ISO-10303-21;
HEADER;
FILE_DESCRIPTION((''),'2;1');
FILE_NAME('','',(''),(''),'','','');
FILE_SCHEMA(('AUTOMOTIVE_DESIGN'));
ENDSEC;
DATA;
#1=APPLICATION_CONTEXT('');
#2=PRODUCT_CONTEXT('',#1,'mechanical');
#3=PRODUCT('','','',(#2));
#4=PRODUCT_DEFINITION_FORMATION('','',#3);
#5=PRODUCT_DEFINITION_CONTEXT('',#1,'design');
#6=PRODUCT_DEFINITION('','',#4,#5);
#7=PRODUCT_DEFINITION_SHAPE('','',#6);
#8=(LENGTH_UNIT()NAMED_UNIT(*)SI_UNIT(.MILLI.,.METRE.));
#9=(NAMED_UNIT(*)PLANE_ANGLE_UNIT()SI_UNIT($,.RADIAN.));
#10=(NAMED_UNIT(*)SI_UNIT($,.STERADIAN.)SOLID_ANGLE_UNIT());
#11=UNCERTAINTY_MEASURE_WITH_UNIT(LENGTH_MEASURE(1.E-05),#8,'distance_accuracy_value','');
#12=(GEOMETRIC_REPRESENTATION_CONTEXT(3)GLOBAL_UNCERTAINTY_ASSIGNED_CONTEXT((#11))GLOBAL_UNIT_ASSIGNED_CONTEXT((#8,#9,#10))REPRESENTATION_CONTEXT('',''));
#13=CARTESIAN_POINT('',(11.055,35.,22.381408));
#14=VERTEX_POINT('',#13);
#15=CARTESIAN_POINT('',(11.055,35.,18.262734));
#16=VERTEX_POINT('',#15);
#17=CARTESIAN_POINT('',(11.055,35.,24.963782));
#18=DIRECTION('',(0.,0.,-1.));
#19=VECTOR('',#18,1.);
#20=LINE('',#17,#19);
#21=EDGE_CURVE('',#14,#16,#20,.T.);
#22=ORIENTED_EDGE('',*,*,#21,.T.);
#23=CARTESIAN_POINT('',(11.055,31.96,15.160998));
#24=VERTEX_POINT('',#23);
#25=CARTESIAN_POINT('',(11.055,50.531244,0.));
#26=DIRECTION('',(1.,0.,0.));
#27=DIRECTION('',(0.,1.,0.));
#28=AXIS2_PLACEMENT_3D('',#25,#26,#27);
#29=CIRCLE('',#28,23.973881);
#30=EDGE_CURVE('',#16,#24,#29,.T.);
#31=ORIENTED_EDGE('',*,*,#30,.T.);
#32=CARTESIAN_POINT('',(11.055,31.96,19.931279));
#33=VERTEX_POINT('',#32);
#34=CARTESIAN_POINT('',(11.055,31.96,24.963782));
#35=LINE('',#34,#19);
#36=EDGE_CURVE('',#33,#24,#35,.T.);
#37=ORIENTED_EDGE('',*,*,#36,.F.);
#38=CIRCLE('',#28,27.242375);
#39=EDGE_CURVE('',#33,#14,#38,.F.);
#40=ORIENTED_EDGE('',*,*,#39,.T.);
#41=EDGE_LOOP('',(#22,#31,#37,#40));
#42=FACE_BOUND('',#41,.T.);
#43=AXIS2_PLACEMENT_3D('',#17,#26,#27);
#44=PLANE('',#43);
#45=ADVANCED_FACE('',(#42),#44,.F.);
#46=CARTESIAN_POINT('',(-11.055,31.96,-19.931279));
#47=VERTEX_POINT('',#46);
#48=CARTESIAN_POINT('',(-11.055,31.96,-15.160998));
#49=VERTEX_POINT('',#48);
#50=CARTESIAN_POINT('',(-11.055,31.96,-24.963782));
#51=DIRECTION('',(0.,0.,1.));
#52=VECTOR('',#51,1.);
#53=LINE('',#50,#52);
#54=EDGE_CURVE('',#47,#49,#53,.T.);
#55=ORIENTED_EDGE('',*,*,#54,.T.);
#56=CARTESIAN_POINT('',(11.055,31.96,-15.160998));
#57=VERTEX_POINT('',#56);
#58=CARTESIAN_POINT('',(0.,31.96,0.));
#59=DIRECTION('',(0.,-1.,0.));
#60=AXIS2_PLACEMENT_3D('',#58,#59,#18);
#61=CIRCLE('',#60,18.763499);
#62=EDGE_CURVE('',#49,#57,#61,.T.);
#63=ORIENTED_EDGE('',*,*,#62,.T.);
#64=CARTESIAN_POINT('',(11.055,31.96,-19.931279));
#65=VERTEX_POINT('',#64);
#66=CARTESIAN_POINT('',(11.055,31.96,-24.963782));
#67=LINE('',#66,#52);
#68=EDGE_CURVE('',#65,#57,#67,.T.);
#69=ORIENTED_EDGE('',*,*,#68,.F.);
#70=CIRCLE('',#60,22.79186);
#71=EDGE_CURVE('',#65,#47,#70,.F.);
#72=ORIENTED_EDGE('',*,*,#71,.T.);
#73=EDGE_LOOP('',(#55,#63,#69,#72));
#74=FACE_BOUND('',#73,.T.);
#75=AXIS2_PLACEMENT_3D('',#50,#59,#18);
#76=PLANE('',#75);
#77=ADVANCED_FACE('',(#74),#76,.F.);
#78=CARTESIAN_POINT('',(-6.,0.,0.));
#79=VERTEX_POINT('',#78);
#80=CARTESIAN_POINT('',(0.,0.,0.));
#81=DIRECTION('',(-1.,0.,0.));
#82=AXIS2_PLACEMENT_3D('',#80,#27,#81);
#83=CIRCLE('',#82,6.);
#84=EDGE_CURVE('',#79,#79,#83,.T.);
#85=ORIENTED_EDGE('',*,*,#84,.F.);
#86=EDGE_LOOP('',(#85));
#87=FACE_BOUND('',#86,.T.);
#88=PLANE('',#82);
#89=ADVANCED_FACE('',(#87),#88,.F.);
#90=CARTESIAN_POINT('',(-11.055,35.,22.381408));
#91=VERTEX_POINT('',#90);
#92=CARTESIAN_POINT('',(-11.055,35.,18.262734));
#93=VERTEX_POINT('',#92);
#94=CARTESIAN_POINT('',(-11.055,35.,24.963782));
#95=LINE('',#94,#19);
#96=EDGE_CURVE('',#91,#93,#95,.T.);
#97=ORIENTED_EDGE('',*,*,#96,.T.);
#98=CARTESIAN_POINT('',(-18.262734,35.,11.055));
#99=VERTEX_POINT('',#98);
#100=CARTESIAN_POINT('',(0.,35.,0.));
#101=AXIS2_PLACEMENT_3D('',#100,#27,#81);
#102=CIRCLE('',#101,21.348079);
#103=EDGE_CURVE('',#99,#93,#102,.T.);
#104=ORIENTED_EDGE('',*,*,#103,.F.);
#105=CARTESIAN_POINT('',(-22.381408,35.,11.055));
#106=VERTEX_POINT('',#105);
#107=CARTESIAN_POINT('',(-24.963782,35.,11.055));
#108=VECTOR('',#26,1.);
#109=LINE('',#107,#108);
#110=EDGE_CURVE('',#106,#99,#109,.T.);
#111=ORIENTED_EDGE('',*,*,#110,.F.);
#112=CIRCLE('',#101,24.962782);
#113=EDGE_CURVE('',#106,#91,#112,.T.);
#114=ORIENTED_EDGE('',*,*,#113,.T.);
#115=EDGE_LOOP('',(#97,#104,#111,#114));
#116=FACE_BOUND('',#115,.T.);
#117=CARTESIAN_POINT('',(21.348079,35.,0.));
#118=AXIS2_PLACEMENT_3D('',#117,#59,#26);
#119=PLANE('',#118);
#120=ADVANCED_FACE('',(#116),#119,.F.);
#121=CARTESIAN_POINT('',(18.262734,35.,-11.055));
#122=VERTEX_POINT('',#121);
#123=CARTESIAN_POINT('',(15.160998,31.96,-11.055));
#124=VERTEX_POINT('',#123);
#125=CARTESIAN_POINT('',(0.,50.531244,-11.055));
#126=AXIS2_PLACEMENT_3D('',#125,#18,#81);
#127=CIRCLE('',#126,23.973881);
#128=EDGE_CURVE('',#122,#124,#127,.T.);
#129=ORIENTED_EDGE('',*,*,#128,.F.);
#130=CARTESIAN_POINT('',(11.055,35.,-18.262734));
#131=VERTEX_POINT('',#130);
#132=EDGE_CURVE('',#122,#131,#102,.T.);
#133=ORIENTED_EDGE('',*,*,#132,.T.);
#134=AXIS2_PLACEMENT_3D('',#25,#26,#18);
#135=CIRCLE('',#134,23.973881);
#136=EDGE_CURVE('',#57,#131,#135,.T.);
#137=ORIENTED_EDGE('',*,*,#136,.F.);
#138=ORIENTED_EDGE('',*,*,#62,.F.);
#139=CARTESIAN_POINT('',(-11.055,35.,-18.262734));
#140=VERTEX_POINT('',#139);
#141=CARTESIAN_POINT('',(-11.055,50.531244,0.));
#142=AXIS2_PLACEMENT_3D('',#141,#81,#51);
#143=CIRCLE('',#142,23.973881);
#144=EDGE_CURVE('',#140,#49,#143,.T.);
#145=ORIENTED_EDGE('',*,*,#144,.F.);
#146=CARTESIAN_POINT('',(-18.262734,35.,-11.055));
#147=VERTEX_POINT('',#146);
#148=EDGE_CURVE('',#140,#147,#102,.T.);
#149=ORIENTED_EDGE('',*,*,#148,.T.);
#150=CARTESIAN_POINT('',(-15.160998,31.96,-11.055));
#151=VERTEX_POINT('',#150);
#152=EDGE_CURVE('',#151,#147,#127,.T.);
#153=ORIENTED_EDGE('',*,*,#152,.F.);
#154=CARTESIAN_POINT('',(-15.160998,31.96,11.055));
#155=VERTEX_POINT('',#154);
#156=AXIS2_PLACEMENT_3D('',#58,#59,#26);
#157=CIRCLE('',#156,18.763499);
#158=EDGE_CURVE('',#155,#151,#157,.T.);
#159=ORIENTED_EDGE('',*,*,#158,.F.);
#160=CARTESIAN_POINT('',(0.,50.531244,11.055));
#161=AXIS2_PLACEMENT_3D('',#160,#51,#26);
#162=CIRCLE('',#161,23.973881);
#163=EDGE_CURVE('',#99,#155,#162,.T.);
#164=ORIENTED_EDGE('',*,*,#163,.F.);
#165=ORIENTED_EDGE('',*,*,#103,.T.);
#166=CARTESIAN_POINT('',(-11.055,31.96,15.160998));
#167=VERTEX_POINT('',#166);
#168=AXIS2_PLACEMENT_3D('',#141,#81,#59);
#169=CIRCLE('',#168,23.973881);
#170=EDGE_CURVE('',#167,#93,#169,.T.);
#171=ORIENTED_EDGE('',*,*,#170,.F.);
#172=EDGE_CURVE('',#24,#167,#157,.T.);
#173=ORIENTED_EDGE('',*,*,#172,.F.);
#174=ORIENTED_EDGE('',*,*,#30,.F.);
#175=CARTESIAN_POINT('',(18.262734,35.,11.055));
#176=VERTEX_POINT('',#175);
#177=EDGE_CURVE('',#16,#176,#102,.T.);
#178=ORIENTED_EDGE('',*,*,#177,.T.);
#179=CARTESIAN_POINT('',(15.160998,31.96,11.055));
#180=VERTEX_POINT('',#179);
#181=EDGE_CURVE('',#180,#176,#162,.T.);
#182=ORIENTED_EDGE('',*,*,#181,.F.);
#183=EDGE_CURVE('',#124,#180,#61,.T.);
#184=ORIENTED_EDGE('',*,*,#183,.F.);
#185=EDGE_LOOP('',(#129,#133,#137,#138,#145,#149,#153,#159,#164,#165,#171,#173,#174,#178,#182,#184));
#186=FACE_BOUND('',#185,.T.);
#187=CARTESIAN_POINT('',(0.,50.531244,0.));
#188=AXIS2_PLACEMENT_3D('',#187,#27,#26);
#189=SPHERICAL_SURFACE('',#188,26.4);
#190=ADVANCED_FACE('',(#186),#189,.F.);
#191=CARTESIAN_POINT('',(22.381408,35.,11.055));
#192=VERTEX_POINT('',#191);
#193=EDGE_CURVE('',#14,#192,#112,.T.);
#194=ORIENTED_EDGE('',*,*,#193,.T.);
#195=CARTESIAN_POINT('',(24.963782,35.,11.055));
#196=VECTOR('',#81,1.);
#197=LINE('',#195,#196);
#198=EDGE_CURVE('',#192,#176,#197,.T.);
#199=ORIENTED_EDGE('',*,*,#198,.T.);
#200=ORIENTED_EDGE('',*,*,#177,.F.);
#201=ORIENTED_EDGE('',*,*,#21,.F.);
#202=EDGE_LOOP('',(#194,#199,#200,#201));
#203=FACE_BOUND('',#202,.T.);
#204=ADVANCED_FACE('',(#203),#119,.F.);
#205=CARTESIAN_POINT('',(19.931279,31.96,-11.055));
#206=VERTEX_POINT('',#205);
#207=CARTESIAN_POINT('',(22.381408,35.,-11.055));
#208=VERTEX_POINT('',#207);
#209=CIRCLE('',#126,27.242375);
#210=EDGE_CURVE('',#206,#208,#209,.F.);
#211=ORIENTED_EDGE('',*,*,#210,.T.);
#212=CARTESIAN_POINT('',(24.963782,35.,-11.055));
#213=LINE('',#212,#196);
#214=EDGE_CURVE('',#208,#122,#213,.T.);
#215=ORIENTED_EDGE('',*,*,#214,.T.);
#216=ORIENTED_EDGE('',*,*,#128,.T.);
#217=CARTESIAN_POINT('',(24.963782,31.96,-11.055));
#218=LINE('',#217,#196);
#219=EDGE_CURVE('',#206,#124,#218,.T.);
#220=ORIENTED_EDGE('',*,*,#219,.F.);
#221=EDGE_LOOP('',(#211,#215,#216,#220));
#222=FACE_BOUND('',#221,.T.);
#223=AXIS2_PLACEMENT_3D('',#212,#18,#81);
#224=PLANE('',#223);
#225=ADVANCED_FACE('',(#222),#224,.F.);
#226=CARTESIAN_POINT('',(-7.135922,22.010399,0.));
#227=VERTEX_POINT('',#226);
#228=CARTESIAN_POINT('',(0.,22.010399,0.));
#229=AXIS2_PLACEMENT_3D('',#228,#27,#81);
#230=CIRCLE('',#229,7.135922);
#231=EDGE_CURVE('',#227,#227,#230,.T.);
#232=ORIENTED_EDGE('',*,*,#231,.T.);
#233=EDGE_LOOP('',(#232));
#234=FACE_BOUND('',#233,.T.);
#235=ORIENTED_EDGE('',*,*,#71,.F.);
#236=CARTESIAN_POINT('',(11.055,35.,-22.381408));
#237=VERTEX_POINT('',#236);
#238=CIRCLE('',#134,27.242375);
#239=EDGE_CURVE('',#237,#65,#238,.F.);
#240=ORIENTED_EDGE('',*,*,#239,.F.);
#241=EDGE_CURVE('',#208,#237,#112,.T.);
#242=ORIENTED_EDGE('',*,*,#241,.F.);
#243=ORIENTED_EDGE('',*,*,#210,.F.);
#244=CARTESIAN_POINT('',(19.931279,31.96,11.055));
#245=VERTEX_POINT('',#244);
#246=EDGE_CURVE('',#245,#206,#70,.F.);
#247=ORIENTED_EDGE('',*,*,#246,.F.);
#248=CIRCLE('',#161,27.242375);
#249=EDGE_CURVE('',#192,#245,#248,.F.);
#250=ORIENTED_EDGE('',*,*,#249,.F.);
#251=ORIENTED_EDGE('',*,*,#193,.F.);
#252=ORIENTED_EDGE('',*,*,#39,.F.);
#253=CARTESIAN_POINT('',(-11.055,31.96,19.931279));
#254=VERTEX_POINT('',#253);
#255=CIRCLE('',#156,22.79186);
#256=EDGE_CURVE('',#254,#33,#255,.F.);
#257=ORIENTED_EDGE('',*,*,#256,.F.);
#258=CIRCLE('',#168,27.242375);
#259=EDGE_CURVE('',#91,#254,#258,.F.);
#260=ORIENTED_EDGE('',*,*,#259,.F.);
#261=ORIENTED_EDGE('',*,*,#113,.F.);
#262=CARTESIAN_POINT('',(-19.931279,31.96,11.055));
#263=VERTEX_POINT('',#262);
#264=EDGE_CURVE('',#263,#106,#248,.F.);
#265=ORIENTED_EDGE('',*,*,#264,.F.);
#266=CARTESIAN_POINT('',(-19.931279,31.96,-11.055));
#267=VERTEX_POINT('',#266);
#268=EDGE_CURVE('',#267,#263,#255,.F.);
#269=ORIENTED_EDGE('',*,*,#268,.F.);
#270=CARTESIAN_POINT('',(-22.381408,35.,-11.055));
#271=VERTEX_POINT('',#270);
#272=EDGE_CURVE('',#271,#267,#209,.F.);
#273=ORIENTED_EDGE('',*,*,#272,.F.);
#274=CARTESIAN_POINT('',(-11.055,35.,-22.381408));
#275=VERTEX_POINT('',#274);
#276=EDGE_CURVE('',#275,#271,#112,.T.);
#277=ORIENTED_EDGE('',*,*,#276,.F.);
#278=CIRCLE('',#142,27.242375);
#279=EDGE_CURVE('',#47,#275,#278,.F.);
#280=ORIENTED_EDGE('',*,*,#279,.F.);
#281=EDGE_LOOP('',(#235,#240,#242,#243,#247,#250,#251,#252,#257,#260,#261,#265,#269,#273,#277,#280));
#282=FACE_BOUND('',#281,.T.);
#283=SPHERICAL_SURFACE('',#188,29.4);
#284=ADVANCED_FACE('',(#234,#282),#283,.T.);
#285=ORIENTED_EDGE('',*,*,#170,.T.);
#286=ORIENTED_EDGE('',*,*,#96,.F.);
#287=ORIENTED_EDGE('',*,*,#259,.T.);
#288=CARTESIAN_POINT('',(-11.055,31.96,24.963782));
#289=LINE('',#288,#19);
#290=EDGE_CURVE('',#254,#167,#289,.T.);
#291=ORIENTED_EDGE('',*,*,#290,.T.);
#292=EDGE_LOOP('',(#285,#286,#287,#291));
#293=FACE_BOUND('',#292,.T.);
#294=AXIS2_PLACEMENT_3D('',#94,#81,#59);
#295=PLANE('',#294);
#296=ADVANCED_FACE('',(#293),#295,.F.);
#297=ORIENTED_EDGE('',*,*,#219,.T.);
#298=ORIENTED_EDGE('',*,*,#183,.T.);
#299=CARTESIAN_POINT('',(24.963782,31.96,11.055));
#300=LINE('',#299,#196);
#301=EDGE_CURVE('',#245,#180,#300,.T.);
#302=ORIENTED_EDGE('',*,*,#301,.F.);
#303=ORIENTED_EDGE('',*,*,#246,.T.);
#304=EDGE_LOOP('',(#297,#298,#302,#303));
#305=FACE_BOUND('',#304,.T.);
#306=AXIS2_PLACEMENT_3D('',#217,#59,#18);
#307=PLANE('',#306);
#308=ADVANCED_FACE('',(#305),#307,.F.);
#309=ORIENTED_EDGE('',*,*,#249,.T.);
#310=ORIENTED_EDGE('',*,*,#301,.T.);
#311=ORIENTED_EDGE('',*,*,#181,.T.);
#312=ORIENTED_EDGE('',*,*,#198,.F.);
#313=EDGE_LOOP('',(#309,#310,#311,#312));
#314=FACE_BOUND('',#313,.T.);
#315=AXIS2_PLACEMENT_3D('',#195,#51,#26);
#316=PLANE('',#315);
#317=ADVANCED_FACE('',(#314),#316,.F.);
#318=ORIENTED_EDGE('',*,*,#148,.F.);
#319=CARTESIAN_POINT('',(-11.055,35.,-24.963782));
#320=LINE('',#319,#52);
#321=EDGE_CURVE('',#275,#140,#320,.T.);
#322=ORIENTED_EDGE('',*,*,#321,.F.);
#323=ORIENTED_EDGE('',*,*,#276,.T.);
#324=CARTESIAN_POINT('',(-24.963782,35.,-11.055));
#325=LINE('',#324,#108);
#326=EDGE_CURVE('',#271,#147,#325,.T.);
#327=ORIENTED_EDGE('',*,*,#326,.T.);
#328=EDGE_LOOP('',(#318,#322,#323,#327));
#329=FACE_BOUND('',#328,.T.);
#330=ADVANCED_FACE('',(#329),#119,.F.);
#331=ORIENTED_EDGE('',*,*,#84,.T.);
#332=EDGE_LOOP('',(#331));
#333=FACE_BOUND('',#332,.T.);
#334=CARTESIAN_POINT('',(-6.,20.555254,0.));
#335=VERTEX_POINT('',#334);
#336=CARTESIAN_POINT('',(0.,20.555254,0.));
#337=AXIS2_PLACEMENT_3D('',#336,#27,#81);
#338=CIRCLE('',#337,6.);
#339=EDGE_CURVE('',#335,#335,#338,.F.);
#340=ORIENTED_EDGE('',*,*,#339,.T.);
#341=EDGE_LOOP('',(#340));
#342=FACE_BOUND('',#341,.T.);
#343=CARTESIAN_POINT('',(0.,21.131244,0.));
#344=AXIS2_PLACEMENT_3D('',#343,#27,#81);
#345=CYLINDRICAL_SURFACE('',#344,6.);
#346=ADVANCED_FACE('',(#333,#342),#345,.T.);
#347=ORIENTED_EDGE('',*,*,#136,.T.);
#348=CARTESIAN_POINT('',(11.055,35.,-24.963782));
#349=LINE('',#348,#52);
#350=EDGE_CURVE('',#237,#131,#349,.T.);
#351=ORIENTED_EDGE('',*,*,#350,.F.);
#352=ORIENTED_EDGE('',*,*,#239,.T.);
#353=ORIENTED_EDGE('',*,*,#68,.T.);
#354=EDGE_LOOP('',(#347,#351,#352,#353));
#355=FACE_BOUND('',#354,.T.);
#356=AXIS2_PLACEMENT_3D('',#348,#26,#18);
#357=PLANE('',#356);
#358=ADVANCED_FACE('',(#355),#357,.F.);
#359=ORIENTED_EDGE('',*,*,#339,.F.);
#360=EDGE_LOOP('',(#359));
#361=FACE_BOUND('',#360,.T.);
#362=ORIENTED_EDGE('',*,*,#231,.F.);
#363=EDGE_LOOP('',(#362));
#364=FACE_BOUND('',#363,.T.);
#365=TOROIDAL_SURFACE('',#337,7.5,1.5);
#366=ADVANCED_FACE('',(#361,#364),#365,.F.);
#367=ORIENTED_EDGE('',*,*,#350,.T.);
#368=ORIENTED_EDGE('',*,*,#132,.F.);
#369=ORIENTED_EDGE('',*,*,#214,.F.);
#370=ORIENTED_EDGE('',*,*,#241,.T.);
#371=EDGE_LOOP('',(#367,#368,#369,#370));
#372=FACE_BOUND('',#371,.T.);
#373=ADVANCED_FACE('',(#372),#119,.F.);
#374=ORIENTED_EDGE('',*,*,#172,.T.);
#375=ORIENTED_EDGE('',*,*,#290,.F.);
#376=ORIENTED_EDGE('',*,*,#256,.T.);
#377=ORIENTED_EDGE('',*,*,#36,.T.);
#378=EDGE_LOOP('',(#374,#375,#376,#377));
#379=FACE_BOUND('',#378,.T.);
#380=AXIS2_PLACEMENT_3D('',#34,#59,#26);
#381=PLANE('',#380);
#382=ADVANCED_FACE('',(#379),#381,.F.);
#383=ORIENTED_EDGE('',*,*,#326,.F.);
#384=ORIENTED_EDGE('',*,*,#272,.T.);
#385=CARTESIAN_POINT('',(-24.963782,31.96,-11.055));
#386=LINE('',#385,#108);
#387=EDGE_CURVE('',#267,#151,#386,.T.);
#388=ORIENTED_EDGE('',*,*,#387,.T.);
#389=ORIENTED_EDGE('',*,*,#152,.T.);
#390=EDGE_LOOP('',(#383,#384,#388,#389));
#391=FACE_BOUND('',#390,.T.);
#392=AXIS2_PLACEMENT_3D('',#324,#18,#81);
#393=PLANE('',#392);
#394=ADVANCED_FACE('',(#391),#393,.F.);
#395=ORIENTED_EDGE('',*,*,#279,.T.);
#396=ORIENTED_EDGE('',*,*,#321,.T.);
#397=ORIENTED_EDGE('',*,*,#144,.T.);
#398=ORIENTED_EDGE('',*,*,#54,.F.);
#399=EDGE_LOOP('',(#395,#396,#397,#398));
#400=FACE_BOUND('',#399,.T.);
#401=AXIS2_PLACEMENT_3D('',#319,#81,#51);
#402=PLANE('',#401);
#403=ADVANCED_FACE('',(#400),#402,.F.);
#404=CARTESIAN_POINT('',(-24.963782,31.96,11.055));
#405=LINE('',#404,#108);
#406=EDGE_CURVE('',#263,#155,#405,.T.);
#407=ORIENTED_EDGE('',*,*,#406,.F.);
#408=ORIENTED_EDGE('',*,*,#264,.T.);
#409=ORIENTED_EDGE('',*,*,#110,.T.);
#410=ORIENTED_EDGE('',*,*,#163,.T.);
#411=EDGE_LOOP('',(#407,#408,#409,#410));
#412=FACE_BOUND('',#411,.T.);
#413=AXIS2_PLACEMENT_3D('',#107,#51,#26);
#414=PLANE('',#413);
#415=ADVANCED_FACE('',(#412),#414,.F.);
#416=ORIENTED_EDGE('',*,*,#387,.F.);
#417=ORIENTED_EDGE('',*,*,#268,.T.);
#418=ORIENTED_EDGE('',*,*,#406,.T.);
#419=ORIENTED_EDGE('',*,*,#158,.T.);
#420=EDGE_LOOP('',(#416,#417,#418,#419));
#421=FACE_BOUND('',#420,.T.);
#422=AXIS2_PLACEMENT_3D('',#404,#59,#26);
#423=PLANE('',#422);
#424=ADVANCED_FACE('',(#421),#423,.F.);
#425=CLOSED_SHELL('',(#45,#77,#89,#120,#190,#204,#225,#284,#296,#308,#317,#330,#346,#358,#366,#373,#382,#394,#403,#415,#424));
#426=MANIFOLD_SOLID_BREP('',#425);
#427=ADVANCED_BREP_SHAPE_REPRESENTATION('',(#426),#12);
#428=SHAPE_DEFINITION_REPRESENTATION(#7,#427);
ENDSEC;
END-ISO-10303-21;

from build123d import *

# Parameters (mm, degrees)
CUT_EXTRUDE1_REACH = 51.712
SKETCH2_W          = 22.11
SKETCH2_H          = 3.04
CIRPATTERN1_COUNT  = 4
FILLET1_R          = 1.5


with BuildPart() as part:
    # Sketch1 → Revolve1 (revolve)
    with BuildSketch(Plane.XY):
        with BuildLine():
            Line((0, 24.131243893), (0, 21.131243893))
            Line((0, 21.131243893), (0, 0))
            Line((0, 0), (6, 0))
            Line((6, 0), (6, 21.75))
            ThreePointArc((6, 21.75), (16.839361195, 26.431536124), (24.962781559, 35))
            Line((24.962781559, 35), (21.348078676, 35))
            ThreePointArc((21.348078676, 35), (11.977795315, 27.004824289), (0, 24.131243893))
        make_face()
    revolve(axis=Axis((0, 21.131243893, 0), (0, -1, 0)))

    # Sketch2 → Cut-Extrude1 (cut, up to next)
    with BuildSketch(Plane.XY, mode=Mode.PRIVATE) as cut_extrude1_sk1:
        with Locations((0, 33.48)):
            Rectangle(SKETCH2_W, SKETCH2_H)
    cut_extrude1_tool1 = extrude(cut_extrude1_sk1.sketch, amount=-CUT_EXTRUDE1_REACH, mode=Mode.PRIVATE) & part.part
    cut_extrude1 = cut_extrude1_tool1.solids().sort_by_distance((0, 33.48, 0))[0]
    add(cut_extrude1, mode=Mode.SUBTRACT)

    # CirPattern1: Cut-Extrude1 ×4 about axis
    cirpattern1_axis = Axis((0, 0, 0), (0, 1, 0))
    for i in range(1, CIRPATTERN1_COUNT):
        add(cut_extrude1.rotate(cirpattern1_axis, i * 360 / CIRPATTERN1_COUNT), mode=Mode.SUBTRACT)

    # Fillet1
    fillet1_edges = [part.edges().sort_by_distance(p)[0] for p in [
        (-6, 21.75, 0),
    ]]
    fillet(fillet1_edges, radius=FILLET1_R)


solid = part.part
